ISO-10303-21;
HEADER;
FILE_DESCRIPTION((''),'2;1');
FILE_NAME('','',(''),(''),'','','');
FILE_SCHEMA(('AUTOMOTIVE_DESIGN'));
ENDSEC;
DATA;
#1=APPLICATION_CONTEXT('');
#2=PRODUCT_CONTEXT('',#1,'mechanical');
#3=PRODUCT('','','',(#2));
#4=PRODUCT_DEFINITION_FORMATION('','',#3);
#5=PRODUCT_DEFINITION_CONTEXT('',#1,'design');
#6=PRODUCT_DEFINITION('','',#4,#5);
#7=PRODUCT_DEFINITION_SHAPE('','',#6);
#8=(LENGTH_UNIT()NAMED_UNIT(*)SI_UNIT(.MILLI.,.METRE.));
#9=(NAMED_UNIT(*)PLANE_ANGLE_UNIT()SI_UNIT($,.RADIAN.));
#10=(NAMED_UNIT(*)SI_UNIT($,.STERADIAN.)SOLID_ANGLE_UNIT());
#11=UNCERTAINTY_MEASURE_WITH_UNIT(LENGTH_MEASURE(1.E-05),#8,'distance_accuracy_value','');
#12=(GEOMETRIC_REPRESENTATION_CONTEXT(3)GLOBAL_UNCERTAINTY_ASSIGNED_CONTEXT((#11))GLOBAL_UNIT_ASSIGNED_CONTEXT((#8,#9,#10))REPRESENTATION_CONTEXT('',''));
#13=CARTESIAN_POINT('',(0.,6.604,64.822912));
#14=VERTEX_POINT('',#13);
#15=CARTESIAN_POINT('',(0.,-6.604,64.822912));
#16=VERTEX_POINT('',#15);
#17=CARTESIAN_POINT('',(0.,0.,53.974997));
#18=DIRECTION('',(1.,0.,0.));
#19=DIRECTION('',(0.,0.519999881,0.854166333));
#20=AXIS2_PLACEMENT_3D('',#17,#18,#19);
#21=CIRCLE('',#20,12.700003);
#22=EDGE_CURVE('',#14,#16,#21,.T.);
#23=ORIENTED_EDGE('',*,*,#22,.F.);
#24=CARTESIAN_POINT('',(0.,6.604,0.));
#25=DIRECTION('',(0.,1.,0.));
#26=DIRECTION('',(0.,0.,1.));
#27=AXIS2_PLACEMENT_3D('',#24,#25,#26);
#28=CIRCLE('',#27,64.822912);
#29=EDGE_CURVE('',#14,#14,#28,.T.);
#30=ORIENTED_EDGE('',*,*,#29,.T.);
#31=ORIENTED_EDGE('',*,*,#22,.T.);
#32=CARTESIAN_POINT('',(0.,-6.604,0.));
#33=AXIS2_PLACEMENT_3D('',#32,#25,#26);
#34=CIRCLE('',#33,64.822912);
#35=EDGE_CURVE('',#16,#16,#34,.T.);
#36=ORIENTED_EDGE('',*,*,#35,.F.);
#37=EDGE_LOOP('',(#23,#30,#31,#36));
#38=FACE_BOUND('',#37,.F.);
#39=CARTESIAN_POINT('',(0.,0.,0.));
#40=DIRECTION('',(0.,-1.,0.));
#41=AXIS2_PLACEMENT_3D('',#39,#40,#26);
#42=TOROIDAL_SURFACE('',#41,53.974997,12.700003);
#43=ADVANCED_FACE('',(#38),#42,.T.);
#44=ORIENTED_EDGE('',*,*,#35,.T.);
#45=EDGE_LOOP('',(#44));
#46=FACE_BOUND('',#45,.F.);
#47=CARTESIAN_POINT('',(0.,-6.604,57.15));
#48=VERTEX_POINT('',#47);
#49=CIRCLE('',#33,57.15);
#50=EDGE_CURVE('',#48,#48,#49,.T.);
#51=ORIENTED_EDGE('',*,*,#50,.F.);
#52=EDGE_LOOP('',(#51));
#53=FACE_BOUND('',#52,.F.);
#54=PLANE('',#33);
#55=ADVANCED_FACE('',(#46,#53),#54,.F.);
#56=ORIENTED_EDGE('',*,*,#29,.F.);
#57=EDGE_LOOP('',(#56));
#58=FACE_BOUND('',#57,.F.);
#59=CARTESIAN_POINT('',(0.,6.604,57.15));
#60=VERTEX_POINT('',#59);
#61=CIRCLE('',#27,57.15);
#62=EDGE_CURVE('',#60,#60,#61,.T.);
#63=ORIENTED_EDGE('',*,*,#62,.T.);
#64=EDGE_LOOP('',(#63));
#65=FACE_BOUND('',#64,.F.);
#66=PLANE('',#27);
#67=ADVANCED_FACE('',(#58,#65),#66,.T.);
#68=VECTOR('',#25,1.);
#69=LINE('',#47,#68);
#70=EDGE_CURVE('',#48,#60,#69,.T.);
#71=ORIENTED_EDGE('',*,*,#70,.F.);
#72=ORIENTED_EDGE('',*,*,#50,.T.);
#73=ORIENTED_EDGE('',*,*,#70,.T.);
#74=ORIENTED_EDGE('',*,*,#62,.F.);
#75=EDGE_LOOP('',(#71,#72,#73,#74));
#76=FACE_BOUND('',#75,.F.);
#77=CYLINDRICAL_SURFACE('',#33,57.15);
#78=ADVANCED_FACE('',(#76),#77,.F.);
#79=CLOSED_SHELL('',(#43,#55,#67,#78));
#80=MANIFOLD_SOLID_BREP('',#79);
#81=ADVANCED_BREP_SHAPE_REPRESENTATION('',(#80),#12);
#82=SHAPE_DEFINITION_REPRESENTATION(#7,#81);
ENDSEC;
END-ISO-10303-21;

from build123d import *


with BuildPart() as f1:
    # F0 (on Right) → F1 (revolve)
    with BuildSketch(Plane.YZ):
        with BuildLine():
            Line((-6.604, 64.822912), (-6.604, 57.15))
            Line((-6.604, 57.15), (6.604, 57.15))
            Line((6.604, 57.15), (6.604, 64.822912))
            ThreePointArc((6.604, 64.822912), (0, 66.675), (-6.604, 64.822912))
        make_face()
    revolve(axis=Axis((0, 0.452392, 0), (0, 1, 0)))


solid = f1.part
